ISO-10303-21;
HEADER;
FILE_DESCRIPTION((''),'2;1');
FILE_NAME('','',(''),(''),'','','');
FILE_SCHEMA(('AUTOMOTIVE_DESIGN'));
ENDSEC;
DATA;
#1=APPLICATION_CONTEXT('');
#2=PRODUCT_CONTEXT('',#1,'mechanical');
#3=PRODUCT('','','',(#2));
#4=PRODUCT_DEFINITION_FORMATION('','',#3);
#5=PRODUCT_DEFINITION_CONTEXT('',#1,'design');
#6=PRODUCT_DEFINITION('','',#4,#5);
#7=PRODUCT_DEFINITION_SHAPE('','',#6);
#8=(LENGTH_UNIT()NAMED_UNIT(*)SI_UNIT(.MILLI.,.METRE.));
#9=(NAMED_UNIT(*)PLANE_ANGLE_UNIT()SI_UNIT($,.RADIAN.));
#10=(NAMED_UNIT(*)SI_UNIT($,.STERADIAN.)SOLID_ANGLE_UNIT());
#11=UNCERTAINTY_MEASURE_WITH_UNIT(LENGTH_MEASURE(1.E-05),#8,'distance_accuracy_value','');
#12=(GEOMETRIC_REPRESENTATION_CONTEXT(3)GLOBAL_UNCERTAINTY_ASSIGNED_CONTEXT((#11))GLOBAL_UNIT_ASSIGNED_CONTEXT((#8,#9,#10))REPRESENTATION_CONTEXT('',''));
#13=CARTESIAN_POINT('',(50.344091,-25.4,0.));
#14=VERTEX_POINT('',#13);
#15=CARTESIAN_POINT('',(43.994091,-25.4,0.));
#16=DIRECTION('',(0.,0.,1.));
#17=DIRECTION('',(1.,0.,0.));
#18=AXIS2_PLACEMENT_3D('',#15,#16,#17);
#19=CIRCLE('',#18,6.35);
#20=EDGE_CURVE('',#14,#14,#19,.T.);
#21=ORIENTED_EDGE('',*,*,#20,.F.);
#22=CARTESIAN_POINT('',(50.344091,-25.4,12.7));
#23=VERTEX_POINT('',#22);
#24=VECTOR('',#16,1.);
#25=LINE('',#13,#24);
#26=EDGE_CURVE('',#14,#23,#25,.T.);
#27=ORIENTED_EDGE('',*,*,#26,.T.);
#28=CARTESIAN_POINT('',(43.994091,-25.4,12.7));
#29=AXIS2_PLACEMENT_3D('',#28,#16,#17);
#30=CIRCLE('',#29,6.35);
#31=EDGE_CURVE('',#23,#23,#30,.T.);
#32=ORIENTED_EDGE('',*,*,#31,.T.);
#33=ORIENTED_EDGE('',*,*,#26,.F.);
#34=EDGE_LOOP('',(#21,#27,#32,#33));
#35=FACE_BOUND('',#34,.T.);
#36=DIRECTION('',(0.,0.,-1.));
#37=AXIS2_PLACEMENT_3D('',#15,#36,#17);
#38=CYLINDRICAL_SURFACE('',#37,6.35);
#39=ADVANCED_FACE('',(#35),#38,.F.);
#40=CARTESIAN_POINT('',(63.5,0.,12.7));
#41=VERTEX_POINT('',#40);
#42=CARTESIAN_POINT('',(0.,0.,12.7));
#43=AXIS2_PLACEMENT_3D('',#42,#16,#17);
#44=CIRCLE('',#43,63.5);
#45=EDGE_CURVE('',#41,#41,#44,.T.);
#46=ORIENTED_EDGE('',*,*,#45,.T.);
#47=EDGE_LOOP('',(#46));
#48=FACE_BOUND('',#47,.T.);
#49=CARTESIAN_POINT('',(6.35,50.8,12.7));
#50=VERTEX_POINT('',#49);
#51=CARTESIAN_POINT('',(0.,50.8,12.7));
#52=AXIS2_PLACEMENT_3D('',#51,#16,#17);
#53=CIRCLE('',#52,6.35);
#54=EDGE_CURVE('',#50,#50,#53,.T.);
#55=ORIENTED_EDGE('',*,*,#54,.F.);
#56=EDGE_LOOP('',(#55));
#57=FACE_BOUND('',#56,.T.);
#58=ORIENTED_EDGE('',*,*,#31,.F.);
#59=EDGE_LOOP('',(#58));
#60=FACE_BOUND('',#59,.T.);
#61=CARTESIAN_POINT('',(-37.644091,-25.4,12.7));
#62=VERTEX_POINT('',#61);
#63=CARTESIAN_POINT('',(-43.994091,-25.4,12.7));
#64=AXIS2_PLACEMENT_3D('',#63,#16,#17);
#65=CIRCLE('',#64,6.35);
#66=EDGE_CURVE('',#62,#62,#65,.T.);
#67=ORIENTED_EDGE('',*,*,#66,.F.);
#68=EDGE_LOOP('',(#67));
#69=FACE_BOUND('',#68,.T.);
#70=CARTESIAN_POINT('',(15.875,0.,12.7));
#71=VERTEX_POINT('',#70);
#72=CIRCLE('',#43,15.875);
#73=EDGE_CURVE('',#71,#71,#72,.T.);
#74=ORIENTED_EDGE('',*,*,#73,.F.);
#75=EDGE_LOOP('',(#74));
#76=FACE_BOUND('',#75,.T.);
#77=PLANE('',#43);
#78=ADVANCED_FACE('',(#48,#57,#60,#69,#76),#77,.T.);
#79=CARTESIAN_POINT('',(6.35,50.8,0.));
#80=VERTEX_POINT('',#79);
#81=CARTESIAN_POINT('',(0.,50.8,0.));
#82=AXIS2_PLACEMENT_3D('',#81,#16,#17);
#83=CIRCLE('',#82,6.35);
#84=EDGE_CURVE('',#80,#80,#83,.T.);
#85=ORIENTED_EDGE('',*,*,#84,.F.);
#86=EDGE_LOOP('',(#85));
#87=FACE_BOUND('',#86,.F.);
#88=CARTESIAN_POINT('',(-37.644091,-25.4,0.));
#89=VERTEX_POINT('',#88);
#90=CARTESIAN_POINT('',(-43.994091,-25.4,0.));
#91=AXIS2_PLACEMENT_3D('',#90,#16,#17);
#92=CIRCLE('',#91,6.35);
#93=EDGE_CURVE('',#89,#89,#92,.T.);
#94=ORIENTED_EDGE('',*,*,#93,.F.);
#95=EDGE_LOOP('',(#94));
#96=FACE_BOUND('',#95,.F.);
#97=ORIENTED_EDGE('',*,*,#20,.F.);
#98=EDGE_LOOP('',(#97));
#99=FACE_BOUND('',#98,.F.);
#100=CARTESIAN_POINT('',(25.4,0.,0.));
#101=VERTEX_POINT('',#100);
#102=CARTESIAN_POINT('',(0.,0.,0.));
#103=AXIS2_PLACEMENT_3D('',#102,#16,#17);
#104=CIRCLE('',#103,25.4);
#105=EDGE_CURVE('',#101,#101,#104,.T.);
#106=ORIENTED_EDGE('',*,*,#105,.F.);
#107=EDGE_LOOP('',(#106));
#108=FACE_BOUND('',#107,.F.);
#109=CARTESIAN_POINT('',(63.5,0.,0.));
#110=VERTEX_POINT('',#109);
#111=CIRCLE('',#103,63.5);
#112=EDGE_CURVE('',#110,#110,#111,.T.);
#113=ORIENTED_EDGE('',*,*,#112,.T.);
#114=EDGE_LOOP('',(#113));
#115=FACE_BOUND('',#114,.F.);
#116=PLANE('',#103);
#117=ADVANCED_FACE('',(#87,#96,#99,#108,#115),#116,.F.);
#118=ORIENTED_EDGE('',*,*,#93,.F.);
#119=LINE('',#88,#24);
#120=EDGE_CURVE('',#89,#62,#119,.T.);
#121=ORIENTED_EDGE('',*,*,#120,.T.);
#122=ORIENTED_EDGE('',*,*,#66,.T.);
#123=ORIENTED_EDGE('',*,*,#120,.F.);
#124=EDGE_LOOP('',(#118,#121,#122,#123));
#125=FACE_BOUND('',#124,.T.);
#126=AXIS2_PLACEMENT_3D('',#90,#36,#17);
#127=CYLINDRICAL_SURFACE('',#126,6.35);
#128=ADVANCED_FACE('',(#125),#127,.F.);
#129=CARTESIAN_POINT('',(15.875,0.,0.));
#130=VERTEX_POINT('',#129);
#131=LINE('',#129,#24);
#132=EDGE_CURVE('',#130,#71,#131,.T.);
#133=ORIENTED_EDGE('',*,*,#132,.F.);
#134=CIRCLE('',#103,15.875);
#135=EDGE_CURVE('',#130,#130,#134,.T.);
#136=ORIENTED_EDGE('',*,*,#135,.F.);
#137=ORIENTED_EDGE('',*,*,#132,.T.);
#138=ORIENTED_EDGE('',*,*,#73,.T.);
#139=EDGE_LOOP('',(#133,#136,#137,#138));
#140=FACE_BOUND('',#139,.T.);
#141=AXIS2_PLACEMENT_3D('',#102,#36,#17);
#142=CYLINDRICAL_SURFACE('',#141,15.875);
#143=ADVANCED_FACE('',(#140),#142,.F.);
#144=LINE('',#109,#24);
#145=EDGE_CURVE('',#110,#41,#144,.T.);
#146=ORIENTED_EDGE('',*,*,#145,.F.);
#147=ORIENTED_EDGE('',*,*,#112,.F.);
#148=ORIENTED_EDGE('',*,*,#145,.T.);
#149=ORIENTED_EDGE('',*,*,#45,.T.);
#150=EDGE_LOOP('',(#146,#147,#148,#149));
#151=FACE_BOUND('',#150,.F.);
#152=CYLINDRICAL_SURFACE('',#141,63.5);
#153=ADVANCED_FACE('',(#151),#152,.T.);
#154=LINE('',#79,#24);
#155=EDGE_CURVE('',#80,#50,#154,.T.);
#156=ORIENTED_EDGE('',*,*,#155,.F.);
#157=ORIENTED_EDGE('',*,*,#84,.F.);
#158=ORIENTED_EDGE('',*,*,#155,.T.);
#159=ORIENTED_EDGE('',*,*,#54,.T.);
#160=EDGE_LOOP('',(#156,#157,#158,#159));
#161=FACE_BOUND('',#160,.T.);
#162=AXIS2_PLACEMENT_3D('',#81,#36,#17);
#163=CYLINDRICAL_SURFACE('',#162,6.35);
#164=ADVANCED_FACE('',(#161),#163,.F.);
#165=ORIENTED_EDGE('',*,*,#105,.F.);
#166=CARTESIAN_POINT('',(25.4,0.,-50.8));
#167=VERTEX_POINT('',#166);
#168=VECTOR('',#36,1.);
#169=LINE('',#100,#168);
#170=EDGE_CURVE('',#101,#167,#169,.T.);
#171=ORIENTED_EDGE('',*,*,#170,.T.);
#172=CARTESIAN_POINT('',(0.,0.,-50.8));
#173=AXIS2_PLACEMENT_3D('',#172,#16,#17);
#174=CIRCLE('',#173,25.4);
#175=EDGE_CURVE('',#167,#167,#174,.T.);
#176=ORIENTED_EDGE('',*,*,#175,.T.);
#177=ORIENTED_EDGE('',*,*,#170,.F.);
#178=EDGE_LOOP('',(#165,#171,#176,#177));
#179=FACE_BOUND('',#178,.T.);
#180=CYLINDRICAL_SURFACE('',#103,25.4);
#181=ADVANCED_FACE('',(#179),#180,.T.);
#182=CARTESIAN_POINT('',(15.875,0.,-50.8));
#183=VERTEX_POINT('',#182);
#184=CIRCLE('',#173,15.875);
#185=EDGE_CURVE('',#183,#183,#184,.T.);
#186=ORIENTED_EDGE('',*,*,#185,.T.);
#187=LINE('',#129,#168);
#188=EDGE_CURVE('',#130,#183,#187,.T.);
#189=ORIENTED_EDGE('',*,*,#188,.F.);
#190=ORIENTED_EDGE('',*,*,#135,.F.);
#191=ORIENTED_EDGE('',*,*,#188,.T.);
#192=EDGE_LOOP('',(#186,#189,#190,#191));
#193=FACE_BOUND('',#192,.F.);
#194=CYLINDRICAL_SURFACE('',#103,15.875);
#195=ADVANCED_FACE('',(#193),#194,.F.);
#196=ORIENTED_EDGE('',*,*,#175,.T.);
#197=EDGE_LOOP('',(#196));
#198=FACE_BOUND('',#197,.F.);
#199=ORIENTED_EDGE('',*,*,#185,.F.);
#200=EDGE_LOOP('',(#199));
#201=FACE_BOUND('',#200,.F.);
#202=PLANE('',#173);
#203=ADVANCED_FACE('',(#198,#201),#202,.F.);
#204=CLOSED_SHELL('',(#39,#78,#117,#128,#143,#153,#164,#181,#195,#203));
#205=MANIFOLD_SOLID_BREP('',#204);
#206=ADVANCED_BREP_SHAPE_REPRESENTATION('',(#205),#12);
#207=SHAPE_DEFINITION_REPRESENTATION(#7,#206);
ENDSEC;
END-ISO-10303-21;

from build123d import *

# Parameters (mm, degrees)
F0_R     = 63.5
F0_R_2   = 6.35
F0_R_3   = 25.4
F0_R_4   = 15.875
F1_DEPTH = 12.7
F2_DEPTH = 50.8


with BuildPart() as f1:
    # F0 (on Top) → F1 (new body)
    with BuildSketch(Plane.XY):
        Circle(F0_R)
        with Locations((-43.994091, -25.4)):
            Circle(F0_R_2, mode=Mode.SUBTRACT)
        with Locations((43.994091, -25.4)):
            Circle(F0_R_2, mode=Mode.SUBTRACT)
        Circle(F0_R_3, mode=Mode.SUBTRACT)
        with Locations((0, 50.8)):
            Circle(F0_R_2, mode=Mode.SUBTRACT)
        Circle(F0_R_3)
        Circle(F0_R_4, mode=Mode.SUBTRACT)
    extrude(amount=F1_DEPTH)

    # F0 (on Top) → F2 (join)
    with BuildSketch(Plane.XY):
        Circle(F0_R_3)
        Circle(F0_R_4, mode=Mode.SUBTRACT)
    extrude(amount=-F2_DEPTH)


solid = f1.part
